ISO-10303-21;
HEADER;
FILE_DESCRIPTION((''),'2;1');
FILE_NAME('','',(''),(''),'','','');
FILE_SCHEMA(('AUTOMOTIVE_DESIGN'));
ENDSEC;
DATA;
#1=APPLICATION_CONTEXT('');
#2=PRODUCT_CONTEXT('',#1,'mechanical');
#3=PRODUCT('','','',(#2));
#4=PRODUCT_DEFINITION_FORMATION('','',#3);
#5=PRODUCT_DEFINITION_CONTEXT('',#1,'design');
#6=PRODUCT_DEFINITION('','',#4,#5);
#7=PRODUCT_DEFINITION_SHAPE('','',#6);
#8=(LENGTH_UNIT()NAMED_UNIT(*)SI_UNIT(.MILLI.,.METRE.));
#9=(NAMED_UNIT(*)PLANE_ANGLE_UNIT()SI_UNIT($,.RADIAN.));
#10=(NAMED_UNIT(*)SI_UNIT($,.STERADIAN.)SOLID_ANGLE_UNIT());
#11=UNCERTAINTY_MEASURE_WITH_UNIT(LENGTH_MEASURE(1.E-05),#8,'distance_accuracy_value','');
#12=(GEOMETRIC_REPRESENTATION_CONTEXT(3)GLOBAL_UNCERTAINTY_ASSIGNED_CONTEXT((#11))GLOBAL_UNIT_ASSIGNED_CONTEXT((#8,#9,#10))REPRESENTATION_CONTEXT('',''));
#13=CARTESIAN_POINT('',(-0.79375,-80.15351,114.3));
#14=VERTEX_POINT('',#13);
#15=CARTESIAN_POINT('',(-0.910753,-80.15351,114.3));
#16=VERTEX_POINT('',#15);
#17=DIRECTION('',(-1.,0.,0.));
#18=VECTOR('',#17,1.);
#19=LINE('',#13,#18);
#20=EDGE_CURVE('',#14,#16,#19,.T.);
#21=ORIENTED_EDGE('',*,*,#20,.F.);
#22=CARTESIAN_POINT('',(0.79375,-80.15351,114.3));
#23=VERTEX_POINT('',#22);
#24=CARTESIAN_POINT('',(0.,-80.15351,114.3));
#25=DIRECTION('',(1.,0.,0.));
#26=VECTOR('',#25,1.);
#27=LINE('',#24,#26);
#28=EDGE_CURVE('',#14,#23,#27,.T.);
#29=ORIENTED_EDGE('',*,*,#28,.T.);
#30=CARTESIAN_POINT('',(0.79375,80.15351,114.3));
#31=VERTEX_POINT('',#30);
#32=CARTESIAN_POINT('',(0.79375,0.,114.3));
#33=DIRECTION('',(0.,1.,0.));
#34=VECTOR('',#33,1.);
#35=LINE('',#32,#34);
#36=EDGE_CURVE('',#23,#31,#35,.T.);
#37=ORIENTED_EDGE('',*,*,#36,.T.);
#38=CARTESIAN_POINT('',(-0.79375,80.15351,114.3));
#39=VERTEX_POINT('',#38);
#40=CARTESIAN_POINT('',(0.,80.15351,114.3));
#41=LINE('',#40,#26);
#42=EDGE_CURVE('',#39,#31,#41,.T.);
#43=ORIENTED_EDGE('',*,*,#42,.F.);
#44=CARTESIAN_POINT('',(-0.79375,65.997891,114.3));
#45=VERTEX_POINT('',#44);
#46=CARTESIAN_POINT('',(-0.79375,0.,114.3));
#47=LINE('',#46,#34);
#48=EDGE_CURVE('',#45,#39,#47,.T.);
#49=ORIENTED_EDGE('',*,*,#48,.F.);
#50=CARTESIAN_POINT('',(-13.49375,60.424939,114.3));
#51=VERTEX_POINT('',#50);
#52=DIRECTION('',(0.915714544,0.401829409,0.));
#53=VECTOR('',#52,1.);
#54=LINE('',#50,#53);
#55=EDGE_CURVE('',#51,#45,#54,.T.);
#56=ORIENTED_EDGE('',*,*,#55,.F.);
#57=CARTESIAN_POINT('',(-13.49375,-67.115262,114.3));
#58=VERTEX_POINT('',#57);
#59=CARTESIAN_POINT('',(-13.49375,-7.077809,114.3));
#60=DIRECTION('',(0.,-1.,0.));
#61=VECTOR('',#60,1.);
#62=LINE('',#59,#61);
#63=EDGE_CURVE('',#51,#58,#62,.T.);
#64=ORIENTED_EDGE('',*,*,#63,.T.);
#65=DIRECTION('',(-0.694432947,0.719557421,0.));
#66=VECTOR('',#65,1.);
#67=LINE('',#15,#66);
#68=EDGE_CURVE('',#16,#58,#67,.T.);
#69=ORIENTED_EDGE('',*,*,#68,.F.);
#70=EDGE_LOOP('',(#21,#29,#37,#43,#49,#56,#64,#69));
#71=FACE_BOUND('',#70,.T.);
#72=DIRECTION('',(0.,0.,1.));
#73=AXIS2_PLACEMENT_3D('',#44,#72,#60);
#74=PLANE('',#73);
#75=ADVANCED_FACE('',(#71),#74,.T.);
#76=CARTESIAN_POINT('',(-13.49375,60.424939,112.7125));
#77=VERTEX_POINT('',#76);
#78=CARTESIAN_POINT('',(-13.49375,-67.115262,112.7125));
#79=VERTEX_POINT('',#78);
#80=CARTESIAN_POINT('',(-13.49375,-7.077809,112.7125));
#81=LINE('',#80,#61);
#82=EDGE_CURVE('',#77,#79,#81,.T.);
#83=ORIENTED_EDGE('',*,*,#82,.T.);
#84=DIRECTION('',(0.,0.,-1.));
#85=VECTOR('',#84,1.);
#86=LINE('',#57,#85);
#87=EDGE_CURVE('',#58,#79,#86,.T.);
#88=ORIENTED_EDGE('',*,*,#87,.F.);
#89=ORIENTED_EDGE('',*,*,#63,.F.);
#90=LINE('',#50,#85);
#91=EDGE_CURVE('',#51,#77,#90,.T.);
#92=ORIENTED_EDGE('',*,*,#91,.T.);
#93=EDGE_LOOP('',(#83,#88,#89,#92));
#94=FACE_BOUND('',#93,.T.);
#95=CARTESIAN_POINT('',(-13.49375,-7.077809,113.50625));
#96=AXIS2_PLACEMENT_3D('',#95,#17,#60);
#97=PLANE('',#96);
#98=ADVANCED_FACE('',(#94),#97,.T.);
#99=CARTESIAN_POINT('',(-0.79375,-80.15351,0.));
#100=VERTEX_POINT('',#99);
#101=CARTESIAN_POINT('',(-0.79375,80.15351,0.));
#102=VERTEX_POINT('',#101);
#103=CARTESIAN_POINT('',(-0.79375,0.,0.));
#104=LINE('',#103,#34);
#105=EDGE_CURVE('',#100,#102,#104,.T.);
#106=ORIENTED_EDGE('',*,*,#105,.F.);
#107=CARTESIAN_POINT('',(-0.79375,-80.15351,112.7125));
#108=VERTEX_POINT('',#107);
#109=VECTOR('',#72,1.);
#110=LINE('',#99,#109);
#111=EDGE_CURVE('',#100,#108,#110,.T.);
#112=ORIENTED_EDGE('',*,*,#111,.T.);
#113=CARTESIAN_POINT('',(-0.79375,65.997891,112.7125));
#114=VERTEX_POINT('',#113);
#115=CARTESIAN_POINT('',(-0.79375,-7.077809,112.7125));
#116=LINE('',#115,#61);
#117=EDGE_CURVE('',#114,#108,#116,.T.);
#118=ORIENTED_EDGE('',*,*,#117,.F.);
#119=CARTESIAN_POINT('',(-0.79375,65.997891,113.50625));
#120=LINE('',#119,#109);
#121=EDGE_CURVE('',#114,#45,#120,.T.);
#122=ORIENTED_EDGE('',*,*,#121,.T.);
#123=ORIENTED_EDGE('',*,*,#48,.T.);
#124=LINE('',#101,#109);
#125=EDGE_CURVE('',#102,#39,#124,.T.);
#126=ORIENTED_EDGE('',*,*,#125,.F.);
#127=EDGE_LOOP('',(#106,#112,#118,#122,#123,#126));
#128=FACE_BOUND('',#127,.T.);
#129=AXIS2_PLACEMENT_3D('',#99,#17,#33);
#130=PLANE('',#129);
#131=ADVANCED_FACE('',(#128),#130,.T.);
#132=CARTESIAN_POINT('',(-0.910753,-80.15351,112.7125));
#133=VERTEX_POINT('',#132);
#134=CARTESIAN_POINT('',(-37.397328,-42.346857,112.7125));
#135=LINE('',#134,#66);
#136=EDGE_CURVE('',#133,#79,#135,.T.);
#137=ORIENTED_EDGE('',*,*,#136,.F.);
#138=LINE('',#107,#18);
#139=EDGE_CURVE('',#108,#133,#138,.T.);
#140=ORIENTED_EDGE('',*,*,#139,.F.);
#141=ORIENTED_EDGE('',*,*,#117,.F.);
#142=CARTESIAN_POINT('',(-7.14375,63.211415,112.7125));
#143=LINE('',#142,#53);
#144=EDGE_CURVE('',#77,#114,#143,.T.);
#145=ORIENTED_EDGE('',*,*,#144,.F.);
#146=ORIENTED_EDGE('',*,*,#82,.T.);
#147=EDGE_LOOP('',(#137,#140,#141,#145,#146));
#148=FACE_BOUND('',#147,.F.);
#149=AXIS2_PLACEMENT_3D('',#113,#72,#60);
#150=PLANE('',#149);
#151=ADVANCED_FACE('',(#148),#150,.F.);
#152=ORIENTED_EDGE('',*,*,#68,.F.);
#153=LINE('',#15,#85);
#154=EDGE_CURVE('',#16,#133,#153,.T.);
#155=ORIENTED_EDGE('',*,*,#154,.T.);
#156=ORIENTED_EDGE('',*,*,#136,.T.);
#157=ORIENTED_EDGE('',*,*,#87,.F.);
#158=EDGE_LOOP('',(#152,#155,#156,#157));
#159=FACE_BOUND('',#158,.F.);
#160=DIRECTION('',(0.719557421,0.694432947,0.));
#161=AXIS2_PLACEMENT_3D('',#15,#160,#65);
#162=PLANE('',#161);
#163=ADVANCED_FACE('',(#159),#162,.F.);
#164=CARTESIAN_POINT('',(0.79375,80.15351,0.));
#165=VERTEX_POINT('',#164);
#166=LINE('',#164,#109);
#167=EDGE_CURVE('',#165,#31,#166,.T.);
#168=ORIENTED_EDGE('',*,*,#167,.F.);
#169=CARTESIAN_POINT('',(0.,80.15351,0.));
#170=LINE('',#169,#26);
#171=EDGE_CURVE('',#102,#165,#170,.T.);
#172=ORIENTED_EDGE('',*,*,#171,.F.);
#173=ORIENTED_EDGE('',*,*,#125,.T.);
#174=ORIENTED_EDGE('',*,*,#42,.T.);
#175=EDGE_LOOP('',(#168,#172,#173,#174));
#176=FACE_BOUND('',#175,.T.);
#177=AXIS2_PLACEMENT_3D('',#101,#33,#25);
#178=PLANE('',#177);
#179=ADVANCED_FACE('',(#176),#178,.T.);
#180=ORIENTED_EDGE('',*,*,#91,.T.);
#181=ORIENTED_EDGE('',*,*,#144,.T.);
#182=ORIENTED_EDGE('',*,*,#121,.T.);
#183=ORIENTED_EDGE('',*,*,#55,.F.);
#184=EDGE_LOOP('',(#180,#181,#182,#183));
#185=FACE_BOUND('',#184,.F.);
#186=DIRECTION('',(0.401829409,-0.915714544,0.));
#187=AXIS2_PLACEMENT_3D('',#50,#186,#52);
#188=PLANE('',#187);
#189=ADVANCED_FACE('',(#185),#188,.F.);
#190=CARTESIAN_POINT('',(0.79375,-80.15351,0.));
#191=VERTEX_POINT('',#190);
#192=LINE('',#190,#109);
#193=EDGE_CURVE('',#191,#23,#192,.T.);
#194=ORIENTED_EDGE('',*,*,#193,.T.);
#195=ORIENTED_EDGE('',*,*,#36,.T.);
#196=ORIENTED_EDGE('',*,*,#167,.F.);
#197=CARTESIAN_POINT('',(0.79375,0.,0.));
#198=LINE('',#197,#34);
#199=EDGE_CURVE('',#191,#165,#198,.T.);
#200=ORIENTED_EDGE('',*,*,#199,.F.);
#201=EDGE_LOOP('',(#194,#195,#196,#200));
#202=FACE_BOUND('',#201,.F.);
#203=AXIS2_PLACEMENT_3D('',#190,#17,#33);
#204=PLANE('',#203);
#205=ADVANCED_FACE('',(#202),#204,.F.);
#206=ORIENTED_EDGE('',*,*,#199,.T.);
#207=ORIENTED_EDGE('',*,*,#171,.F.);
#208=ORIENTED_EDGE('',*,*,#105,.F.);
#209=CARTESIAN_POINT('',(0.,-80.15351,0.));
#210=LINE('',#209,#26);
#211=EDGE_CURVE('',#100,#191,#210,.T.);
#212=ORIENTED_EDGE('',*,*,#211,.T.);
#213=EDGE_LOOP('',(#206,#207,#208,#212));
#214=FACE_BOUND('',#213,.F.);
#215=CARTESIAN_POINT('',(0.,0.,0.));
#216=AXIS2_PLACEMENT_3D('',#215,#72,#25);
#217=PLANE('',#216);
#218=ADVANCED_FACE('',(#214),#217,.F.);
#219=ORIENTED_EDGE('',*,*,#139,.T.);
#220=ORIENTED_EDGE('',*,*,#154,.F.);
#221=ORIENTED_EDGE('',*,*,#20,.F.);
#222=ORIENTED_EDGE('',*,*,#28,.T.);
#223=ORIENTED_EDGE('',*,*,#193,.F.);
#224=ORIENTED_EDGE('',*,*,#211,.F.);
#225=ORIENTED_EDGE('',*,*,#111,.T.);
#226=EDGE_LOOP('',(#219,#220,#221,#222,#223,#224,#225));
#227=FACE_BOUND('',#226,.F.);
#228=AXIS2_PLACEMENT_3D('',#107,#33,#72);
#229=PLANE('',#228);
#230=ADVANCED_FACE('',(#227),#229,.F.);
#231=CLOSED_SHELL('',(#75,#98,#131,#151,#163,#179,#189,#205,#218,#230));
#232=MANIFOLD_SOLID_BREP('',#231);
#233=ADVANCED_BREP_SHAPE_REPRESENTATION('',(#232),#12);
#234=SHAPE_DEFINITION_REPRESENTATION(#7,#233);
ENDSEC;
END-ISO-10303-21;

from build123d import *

# Parameters (mm, degrees)
F0_W     = 1.5875
F0_H     = 160.30702
F1_DEPTH = 114.3
F2_W     = 146.1514011281
F2_H     = 1.5875
F3_DEPTH = 12.7
F5_DEPTH = 25.4


with BuildPart() as f1:
    # F0 (on Top) → F1 (new body)
    with BuildSketch(Plane.XY):
        Rectangle(F0_W, F0_H)
    extrude(amount=F1_DEPTH)

    # F2 (on face) → F3 (join)
    with BuildSketch(Plane(origin=(-0.79375, 0, 0), x_dir=(0, -1, 0), z_dir=(-1, 0, 0))):
        with Locations((7.077809436, 113.50625)):
            Rectangle(F2_W, F2_H)
    extrude(amount=F3_DEPTH)

    # F4 (on face) → F5 (cut)
    with BuildSketch(Plane.XY.offset(114.3)):
        Polygon((-13.49375, -80.15351), (-0.9107529768, -80.15351), (-13.49375, -67.1152621508), align=None)
        Polygon((-13.49375, 60.424938798), (-0.79375, 65.9978911281), (-13.49375, 65.9978911281), align=None)
    extrude(amount=-F5_DEPTH, mode=Mode.SUBTRACT)


solid = f1.part
